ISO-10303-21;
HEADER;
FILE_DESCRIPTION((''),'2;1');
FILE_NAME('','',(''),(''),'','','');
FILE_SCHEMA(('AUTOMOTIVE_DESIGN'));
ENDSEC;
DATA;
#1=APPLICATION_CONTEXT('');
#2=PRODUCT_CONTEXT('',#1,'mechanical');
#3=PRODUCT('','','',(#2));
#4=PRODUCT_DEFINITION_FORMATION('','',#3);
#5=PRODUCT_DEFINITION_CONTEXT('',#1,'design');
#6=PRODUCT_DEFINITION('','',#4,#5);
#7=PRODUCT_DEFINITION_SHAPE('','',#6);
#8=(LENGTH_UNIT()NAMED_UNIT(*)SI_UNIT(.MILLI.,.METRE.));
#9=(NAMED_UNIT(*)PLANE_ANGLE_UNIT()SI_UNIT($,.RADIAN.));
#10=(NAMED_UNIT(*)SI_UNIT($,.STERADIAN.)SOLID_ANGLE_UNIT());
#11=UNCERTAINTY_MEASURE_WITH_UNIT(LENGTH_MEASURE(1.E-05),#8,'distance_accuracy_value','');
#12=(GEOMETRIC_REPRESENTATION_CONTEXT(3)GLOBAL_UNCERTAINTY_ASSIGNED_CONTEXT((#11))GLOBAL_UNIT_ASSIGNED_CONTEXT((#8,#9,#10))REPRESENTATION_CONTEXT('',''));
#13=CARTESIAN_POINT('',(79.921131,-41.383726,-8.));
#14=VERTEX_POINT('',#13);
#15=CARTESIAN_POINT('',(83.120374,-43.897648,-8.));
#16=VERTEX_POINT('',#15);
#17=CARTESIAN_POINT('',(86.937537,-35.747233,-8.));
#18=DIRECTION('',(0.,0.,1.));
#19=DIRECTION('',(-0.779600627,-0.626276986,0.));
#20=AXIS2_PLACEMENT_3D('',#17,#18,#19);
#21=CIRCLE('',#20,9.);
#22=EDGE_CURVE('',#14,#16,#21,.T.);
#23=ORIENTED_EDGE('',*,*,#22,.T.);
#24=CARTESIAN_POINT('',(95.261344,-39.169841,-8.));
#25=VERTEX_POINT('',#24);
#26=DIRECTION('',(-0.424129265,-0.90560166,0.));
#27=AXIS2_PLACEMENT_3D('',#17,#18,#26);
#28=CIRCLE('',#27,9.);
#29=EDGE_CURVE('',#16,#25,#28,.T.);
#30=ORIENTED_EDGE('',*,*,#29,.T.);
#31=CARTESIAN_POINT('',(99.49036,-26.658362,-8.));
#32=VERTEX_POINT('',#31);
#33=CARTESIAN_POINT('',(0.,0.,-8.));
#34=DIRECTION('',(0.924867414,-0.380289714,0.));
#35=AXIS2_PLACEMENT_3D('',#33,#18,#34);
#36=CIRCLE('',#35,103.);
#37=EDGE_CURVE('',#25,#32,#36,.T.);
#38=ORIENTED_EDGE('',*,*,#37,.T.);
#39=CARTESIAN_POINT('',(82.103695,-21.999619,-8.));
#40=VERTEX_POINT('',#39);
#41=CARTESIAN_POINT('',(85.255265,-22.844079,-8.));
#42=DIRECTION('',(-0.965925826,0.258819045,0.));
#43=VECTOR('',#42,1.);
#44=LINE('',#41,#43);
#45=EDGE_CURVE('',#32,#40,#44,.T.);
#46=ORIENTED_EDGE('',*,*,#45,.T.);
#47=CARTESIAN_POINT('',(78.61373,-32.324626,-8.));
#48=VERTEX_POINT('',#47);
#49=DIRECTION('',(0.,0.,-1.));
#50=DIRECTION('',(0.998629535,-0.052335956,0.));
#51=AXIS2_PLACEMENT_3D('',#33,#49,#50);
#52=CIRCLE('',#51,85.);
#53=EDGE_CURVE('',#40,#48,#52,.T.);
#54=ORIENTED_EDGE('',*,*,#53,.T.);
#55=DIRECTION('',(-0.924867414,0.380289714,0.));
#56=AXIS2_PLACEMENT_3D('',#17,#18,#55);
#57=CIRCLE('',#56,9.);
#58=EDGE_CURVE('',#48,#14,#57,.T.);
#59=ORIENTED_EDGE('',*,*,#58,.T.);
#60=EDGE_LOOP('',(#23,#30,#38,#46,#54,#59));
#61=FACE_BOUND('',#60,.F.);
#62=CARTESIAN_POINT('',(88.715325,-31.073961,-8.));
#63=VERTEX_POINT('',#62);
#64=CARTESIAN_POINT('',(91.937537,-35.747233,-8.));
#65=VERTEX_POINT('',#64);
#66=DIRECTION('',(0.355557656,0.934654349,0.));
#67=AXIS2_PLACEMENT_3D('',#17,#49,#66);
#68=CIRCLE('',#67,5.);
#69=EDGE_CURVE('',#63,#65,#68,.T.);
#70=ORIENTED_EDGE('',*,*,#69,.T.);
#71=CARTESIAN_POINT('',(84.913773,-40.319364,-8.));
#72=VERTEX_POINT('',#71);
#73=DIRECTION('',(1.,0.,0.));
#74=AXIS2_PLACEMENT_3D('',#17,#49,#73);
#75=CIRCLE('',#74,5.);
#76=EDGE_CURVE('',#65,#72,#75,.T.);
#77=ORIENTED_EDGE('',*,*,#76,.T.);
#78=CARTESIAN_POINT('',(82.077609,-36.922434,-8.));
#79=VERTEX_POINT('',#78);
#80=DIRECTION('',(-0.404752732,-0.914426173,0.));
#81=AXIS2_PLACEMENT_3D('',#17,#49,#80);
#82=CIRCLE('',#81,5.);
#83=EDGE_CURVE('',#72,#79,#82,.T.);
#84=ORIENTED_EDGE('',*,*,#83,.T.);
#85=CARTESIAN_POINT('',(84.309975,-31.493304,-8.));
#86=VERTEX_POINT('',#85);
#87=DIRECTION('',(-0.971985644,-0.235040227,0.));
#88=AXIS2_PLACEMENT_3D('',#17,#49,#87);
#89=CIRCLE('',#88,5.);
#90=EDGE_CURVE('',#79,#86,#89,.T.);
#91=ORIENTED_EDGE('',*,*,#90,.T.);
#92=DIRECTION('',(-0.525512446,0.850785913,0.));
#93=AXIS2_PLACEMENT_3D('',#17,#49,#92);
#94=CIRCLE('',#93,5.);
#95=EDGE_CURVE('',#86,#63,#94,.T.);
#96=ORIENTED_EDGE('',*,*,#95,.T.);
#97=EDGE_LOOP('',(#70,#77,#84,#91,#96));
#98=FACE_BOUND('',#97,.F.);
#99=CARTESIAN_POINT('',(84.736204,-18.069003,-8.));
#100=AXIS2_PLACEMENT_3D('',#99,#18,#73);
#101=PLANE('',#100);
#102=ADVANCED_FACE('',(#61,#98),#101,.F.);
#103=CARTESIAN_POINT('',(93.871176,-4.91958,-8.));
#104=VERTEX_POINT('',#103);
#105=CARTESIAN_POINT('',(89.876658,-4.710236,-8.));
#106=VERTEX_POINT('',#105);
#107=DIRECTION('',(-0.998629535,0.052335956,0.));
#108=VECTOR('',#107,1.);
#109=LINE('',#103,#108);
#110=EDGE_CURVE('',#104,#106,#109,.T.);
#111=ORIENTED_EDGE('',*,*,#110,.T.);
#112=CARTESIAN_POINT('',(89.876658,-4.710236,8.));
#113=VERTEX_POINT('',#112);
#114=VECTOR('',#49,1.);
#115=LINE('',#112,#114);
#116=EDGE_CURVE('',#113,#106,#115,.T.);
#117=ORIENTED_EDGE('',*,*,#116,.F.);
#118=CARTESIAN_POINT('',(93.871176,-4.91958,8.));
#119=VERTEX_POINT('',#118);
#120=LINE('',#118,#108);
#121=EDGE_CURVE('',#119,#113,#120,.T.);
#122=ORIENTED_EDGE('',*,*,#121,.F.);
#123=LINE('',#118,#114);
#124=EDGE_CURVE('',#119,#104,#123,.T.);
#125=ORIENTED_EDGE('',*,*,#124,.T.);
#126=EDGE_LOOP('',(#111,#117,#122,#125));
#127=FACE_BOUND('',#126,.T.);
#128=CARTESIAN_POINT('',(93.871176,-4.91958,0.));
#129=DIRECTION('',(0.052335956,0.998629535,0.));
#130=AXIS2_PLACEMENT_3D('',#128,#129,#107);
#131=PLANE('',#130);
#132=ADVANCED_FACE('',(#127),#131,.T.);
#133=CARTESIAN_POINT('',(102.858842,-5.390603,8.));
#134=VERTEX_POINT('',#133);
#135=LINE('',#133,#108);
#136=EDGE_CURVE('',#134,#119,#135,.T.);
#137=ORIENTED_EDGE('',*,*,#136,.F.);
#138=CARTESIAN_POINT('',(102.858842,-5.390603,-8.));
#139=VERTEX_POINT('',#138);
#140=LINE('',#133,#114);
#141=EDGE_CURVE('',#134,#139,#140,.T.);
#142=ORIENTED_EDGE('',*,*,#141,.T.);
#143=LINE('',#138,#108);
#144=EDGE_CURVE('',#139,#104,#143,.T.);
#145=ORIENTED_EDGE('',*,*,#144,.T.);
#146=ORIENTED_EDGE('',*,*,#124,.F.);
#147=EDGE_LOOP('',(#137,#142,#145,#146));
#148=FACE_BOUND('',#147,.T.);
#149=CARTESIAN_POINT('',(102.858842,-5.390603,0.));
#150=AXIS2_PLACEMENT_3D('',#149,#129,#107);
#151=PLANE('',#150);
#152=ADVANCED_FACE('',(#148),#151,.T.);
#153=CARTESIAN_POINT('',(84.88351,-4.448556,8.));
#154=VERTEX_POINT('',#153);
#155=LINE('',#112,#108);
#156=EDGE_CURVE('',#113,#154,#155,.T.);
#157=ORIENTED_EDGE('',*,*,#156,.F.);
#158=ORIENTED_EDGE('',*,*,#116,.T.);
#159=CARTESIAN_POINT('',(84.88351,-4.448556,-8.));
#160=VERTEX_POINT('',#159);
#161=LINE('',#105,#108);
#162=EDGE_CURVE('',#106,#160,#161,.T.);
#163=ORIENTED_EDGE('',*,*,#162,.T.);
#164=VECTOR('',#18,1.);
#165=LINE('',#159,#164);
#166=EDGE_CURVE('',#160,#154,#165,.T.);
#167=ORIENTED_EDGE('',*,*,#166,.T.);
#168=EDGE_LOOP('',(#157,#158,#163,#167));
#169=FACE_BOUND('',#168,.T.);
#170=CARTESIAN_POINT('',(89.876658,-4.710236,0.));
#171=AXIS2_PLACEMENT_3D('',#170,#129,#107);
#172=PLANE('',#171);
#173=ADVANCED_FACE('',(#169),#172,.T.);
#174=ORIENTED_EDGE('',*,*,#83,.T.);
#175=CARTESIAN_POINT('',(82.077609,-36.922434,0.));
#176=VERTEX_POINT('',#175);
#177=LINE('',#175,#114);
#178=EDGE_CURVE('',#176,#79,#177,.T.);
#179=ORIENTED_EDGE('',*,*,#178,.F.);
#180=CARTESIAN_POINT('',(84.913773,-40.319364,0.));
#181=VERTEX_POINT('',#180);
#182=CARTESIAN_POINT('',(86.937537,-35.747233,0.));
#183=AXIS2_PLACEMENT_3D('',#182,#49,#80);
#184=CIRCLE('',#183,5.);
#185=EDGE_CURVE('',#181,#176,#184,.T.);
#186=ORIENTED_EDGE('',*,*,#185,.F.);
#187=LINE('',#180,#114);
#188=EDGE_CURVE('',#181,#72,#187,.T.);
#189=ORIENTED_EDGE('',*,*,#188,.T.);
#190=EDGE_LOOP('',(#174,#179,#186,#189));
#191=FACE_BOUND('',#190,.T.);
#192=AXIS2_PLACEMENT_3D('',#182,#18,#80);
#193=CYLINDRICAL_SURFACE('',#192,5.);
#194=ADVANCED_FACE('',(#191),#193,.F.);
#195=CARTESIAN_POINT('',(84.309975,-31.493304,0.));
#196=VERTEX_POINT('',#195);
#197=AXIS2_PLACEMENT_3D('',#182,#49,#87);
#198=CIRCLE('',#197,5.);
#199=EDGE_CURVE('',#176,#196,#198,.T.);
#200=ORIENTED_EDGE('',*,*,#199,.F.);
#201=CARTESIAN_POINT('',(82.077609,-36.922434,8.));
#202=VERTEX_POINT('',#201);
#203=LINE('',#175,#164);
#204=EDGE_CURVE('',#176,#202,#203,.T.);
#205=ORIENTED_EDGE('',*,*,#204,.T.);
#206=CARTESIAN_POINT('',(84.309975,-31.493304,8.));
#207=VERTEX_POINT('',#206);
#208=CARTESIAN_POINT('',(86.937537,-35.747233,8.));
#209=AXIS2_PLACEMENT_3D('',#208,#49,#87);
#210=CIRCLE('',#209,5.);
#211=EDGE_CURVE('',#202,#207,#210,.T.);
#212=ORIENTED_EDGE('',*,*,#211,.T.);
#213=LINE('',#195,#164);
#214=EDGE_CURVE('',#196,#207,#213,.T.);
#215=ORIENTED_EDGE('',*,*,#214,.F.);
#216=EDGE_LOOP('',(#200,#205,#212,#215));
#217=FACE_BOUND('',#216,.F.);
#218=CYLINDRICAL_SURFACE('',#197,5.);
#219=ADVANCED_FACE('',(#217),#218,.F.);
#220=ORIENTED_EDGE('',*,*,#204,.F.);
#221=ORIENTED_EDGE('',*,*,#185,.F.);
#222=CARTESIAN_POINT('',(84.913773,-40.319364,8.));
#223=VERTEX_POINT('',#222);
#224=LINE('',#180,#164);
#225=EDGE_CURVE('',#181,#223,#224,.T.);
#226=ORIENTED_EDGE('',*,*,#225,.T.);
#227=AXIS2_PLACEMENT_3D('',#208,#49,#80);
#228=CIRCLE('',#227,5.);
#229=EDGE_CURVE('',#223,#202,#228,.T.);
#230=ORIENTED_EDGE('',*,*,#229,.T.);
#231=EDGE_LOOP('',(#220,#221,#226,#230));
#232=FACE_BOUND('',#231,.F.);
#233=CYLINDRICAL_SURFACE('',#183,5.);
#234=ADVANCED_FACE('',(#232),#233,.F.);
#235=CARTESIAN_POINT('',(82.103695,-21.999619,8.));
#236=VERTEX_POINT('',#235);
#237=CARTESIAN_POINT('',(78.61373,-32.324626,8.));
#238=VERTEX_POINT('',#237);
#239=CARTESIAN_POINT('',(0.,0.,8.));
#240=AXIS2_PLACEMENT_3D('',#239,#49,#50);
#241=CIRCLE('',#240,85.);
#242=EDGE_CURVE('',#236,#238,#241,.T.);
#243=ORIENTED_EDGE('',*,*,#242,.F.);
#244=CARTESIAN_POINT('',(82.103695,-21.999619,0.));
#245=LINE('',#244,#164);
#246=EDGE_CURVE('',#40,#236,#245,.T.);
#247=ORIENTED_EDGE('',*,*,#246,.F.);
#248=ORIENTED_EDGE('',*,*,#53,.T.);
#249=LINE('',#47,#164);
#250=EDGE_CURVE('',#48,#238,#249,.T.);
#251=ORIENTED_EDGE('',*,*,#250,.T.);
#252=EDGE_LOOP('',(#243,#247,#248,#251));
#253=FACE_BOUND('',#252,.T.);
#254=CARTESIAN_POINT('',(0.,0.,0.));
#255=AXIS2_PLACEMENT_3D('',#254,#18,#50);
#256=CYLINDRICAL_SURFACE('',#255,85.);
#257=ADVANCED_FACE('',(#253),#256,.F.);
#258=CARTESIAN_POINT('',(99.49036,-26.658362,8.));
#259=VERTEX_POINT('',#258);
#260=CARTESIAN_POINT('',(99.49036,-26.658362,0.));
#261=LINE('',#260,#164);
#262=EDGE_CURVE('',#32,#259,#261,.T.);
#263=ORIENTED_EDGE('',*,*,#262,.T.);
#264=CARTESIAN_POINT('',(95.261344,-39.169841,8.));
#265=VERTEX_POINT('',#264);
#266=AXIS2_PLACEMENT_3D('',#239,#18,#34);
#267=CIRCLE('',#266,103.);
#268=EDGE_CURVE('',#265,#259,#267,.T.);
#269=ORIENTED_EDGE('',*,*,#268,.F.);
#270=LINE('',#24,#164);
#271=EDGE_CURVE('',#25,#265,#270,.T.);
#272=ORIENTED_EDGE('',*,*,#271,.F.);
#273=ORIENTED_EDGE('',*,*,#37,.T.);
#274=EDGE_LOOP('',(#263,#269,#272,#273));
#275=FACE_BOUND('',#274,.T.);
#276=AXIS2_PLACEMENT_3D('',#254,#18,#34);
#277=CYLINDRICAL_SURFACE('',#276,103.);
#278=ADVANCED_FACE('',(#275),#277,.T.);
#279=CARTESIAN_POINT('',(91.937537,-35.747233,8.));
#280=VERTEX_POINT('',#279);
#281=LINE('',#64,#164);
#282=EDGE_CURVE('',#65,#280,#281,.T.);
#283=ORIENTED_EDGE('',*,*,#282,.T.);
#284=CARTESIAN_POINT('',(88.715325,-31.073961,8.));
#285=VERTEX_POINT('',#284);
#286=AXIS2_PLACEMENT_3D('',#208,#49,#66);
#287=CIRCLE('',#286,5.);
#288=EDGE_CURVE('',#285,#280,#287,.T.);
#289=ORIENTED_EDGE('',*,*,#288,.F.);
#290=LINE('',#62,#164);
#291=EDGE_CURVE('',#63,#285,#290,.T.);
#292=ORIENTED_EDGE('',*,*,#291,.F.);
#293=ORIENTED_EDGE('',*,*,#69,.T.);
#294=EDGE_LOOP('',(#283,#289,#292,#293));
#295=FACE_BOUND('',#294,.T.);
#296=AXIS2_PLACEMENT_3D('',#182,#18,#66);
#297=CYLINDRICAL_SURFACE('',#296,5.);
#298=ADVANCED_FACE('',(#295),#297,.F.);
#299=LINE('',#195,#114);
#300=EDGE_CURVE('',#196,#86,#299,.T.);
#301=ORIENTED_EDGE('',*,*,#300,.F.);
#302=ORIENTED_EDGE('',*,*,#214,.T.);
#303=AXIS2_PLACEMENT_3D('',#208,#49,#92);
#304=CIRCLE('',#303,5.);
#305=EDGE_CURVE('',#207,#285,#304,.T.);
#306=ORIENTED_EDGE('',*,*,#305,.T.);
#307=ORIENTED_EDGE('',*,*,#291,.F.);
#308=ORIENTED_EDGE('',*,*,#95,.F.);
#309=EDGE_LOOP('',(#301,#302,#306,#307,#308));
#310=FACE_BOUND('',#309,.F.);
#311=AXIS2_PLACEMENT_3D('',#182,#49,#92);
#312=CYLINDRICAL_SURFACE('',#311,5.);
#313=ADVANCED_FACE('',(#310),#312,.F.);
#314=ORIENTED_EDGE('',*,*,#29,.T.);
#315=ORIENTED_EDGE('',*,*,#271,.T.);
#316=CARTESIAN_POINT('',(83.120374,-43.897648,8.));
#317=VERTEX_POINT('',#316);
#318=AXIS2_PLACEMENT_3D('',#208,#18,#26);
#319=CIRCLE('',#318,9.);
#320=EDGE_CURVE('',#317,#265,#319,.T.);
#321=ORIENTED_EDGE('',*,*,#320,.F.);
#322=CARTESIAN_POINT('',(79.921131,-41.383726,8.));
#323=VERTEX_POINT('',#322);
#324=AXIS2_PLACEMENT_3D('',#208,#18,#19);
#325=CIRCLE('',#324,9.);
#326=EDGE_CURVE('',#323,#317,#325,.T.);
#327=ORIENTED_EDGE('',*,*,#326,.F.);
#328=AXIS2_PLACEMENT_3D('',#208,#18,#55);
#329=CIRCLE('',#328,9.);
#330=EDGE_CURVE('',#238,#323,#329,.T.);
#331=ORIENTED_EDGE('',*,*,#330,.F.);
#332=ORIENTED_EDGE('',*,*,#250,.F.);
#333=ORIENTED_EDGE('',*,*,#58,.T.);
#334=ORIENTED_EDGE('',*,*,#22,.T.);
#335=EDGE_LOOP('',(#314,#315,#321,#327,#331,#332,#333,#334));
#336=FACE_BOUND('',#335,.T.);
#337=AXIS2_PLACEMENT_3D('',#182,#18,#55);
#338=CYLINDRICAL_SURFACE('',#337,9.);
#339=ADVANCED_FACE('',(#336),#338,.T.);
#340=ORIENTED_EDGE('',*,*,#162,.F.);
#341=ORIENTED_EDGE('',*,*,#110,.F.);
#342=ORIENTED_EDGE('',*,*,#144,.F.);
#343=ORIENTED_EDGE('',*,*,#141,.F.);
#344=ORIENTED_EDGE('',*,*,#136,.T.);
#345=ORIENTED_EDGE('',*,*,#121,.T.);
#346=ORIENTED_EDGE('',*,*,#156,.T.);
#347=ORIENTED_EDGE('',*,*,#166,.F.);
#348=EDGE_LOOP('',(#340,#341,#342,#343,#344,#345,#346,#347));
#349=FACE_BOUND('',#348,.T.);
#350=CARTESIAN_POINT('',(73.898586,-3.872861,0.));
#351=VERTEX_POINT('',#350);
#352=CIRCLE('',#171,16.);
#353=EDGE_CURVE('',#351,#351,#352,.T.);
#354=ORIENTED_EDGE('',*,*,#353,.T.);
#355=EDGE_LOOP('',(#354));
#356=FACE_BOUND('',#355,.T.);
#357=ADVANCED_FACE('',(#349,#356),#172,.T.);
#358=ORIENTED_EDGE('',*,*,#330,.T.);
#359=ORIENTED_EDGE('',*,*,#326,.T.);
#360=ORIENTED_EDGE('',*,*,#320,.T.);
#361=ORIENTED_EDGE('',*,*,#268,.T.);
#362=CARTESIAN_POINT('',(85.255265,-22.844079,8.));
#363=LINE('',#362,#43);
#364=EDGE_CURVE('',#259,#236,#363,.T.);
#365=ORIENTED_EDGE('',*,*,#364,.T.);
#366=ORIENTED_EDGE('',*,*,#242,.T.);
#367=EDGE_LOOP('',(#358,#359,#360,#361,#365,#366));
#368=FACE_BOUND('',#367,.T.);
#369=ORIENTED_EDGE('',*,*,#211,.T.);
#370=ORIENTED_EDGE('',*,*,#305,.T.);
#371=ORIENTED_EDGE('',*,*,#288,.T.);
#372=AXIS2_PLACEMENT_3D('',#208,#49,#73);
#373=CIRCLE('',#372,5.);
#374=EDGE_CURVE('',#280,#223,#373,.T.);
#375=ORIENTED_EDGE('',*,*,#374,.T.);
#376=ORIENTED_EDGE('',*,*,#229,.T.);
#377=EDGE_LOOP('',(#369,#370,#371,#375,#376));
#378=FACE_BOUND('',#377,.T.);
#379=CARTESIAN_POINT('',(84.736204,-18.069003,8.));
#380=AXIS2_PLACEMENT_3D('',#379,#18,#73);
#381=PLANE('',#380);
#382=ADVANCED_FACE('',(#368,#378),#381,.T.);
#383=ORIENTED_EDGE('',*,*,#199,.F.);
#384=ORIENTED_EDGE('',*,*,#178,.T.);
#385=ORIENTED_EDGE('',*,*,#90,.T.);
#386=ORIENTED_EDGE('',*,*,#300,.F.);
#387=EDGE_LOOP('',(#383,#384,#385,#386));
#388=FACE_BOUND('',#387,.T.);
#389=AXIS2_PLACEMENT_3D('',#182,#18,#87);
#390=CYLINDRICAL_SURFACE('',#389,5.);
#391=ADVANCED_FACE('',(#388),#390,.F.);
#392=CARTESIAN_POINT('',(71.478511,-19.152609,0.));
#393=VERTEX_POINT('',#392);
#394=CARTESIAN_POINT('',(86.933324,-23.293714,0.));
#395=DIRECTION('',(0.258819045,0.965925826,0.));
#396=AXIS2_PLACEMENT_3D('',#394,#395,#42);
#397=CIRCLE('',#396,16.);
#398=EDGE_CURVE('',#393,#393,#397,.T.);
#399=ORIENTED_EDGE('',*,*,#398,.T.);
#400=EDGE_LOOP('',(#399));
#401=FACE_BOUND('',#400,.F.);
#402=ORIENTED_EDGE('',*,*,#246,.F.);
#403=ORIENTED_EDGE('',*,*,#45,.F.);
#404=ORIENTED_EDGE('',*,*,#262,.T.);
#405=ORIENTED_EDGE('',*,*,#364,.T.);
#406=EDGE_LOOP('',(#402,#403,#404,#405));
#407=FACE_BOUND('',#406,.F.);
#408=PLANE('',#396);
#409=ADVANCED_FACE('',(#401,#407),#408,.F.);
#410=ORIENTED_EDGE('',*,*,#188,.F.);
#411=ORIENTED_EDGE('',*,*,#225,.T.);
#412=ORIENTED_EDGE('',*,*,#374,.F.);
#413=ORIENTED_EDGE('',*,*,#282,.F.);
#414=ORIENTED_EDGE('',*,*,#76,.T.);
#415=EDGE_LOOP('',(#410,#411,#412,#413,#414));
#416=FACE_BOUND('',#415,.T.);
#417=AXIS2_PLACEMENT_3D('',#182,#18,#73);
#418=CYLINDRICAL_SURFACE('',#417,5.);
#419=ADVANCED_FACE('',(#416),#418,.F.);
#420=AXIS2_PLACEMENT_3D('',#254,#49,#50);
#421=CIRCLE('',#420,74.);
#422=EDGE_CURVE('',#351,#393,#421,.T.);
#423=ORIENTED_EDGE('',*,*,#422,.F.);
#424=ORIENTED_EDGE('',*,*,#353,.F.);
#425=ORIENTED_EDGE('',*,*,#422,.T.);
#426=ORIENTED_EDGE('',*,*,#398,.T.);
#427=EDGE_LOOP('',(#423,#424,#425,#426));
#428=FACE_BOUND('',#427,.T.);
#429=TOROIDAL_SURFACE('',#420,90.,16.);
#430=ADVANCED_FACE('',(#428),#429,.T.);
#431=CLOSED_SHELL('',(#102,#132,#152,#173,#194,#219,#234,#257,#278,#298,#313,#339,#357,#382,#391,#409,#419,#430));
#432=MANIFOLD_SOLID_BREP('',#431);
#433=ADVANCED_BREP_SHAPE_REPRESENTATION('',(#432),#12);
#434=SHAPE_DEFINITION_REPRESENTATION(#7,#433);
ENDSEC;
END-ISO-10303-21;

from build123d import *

# Parameters (mm, degrees)
F1_DEPTH = 8
F3_R     = 16
F4_ANGLE = 12


with BuildPart() as f1:
    # F0 (on Top) → F1 (new body, symmetric)
    with BuildSketch(Plane.XY):
        with BuildLine():
            ThreePointArc((85.9154672746, -26.8054562168), (88.5876262624, -15.8818283958), (89.8766581279, -4.7102360619))
            Line((89.8766581279, -4.7102360619), (84.8835104541, -4.4485562807))
            ThreePointArc((84.8835104541, -4.4485562807), (82.9283168542, -18.6519238613), (78.6137301976, -32.3246256655))
            ThreePointArc((78.6137301976, -32.3246256655), (81.5105986382, -28.5675157659), (85.9154672746, -26.8054562168))
        make_face()
        with BuildLine():
            ThreePointArc((84.3099746949, -31.4933035256), (85.1449895855, -29.1604312122), (85.9154672746, -26.8054562168))
            ThreePointArc((85.9154672746, -26.8054562168), (81.5105986382, -28.5675157659), (78.6137301976, -32.3246256655))
            ThreePointArc((78.6137301976, -32.3246256655), (78.0298237832, -37.0327861192), (79.9211312838, -41.3837259599))
            ThreePointArc((79.9211312838, -41.3837259599), (81.0300791098, -39.1679241147), (82.0776087059, -36.9224342252))
            ThreePointArc((82.0776087059, -36.9224342252), (82.313199854, -33.8457845203), (84.3099746948, -31.4933035256))
        make_face()
        with BuildLine():
            ThreePointArc((82.0776087059, -36.9224342252), (81.0300791098, -39.1679241147), (79.9211312838, -41.3837259599))
            ThreePointArc((79.9211312838, -41.3837259599), (81.376826044, -42.8238491237), (83.1203735404, -43.8976480292))
            ThreePointArc((83.1203735404, -43.8976480292), (84.0361211175, -42.1180525134), (84.9137732661, -40.3193639548))
            ThreePointArc((84.9137732661, -40.3193639548), (83.0994271865, -38.9517476604), (82.0776087059, -36.9224342252))
        make_face()
        with BuildLine():
            ThreePointArc((95.9375369244, -35.7472330889), (94.2921894822, -30.5598362701), (89.9577400899, -27.2691216931))
            ThreePointArc((89.9577400899, -27.2691216931), (89.3567863501, -29.1781550682), (88.7153252067, -31.0739613417))
            ThreePointArc((88.7153252067, -31.0739613417), (91.0539031261, -32.9090066542), (91.9375369244, -35.7472330889))
            ThreePointArc((91.9375369244, -35.7472330889), (89.6652815705, -39.9376279564), (84.9137732661, -40.3193639548))
            ThreePointArc((84.9137732661, -40.3193639548), (84.0361211175, -42.1180525134), (83.1203735404, -43.8976480292))
            ThreePointArc((83.1203735404, -43.8976480292), (90.2033445633, -44.1337997562), (95.2613436513, -39.1698405123))
            ThreePointArc((95.2613436513, -39.1698405123), (95.7668704367, -37.4916154235), (95.9375369244, -35.7472330889))
        make_face()
        with BuildLine():
            ThreePointArc((89.9577400899, -27.2691216931), (87.9631493293, -26.8058618744), (85.9154672746, -26.8054562168))
            ThreePointArc((85.9154672746, -26.8054562168), (85.1449895855, -29.1604312122), (84.3099746949, -31.4933035256))
            ThreePointArc((84.3099746948, -31.4933035256), (86.4637322103, -30.7697328033), (88.7153252067, -31.0739613417))
            ThreePointArc((88.7153252067, -31.0739613417), (89.3567863501, -29.1781550682), (89.9577400899, -27.2691216931))
        make_face()
        with BuildLine():
            Line((93.8711762669, -4.9195798868), (89.8766581279, -4.7102360619))
            ThreePointArc((89.8766581279, -4.7102360619), (88.5876262624, -15.8818283958), (85.9154672746, -26.8054562168))
            ThreePointArc((85.9154672746, -26.8054562168), (87.9631493293, -26.8058618744), (89.9577400899, -27.2691216931))
            ThreePointArc((89.9577400899, -27.2691216931), (92.5912691725, -16.2128613461), (93.8711762669, -4.9195798868))
        make_face()
        with BuildLine():
            Line((102.8588420797, -5.390603493), (93.8711762669, -4.9195798868))
            ThreePointArc((93.8711762669, -4.9195798868), (92.5912691725, -16.2128613461), (89.9577400899, -27.2691216931))
            ThreePointArc((89.9577400899, -27.2691216931), (94.2921894822, -30.5598362701), (95.9375369244, -35.7472330889))
            ThreePointArc((95.9375369244, -35.7472330889), (95.7668704367, -37.4916154235), (95.2613436513, -39.1698405123))
            ThreePointArc((95.2613436513, -39.1698405123), (100.4896074822, -22.6017430319), (102.8588420797, -5.390603493))
        make_face()
    extrude(amount=F1_DEPTH, both=True)

    # F3 (on offset) → F4 (revolve)
    with BuildSketch(Plane(origin=(0, 0, 0), x_dir=(-0.9986295348, 0.0523359562, 0), z_dir=(0.0523359562, 0.9986295348, 0))):
        with Locations((-90, 0)):
            Circle(F3_R)
    revolve(axis=Axis((0, 0, 16.647497192), (0, 0, -1)), revolution_arc=F4_ANGLE)


solid = f1.part
